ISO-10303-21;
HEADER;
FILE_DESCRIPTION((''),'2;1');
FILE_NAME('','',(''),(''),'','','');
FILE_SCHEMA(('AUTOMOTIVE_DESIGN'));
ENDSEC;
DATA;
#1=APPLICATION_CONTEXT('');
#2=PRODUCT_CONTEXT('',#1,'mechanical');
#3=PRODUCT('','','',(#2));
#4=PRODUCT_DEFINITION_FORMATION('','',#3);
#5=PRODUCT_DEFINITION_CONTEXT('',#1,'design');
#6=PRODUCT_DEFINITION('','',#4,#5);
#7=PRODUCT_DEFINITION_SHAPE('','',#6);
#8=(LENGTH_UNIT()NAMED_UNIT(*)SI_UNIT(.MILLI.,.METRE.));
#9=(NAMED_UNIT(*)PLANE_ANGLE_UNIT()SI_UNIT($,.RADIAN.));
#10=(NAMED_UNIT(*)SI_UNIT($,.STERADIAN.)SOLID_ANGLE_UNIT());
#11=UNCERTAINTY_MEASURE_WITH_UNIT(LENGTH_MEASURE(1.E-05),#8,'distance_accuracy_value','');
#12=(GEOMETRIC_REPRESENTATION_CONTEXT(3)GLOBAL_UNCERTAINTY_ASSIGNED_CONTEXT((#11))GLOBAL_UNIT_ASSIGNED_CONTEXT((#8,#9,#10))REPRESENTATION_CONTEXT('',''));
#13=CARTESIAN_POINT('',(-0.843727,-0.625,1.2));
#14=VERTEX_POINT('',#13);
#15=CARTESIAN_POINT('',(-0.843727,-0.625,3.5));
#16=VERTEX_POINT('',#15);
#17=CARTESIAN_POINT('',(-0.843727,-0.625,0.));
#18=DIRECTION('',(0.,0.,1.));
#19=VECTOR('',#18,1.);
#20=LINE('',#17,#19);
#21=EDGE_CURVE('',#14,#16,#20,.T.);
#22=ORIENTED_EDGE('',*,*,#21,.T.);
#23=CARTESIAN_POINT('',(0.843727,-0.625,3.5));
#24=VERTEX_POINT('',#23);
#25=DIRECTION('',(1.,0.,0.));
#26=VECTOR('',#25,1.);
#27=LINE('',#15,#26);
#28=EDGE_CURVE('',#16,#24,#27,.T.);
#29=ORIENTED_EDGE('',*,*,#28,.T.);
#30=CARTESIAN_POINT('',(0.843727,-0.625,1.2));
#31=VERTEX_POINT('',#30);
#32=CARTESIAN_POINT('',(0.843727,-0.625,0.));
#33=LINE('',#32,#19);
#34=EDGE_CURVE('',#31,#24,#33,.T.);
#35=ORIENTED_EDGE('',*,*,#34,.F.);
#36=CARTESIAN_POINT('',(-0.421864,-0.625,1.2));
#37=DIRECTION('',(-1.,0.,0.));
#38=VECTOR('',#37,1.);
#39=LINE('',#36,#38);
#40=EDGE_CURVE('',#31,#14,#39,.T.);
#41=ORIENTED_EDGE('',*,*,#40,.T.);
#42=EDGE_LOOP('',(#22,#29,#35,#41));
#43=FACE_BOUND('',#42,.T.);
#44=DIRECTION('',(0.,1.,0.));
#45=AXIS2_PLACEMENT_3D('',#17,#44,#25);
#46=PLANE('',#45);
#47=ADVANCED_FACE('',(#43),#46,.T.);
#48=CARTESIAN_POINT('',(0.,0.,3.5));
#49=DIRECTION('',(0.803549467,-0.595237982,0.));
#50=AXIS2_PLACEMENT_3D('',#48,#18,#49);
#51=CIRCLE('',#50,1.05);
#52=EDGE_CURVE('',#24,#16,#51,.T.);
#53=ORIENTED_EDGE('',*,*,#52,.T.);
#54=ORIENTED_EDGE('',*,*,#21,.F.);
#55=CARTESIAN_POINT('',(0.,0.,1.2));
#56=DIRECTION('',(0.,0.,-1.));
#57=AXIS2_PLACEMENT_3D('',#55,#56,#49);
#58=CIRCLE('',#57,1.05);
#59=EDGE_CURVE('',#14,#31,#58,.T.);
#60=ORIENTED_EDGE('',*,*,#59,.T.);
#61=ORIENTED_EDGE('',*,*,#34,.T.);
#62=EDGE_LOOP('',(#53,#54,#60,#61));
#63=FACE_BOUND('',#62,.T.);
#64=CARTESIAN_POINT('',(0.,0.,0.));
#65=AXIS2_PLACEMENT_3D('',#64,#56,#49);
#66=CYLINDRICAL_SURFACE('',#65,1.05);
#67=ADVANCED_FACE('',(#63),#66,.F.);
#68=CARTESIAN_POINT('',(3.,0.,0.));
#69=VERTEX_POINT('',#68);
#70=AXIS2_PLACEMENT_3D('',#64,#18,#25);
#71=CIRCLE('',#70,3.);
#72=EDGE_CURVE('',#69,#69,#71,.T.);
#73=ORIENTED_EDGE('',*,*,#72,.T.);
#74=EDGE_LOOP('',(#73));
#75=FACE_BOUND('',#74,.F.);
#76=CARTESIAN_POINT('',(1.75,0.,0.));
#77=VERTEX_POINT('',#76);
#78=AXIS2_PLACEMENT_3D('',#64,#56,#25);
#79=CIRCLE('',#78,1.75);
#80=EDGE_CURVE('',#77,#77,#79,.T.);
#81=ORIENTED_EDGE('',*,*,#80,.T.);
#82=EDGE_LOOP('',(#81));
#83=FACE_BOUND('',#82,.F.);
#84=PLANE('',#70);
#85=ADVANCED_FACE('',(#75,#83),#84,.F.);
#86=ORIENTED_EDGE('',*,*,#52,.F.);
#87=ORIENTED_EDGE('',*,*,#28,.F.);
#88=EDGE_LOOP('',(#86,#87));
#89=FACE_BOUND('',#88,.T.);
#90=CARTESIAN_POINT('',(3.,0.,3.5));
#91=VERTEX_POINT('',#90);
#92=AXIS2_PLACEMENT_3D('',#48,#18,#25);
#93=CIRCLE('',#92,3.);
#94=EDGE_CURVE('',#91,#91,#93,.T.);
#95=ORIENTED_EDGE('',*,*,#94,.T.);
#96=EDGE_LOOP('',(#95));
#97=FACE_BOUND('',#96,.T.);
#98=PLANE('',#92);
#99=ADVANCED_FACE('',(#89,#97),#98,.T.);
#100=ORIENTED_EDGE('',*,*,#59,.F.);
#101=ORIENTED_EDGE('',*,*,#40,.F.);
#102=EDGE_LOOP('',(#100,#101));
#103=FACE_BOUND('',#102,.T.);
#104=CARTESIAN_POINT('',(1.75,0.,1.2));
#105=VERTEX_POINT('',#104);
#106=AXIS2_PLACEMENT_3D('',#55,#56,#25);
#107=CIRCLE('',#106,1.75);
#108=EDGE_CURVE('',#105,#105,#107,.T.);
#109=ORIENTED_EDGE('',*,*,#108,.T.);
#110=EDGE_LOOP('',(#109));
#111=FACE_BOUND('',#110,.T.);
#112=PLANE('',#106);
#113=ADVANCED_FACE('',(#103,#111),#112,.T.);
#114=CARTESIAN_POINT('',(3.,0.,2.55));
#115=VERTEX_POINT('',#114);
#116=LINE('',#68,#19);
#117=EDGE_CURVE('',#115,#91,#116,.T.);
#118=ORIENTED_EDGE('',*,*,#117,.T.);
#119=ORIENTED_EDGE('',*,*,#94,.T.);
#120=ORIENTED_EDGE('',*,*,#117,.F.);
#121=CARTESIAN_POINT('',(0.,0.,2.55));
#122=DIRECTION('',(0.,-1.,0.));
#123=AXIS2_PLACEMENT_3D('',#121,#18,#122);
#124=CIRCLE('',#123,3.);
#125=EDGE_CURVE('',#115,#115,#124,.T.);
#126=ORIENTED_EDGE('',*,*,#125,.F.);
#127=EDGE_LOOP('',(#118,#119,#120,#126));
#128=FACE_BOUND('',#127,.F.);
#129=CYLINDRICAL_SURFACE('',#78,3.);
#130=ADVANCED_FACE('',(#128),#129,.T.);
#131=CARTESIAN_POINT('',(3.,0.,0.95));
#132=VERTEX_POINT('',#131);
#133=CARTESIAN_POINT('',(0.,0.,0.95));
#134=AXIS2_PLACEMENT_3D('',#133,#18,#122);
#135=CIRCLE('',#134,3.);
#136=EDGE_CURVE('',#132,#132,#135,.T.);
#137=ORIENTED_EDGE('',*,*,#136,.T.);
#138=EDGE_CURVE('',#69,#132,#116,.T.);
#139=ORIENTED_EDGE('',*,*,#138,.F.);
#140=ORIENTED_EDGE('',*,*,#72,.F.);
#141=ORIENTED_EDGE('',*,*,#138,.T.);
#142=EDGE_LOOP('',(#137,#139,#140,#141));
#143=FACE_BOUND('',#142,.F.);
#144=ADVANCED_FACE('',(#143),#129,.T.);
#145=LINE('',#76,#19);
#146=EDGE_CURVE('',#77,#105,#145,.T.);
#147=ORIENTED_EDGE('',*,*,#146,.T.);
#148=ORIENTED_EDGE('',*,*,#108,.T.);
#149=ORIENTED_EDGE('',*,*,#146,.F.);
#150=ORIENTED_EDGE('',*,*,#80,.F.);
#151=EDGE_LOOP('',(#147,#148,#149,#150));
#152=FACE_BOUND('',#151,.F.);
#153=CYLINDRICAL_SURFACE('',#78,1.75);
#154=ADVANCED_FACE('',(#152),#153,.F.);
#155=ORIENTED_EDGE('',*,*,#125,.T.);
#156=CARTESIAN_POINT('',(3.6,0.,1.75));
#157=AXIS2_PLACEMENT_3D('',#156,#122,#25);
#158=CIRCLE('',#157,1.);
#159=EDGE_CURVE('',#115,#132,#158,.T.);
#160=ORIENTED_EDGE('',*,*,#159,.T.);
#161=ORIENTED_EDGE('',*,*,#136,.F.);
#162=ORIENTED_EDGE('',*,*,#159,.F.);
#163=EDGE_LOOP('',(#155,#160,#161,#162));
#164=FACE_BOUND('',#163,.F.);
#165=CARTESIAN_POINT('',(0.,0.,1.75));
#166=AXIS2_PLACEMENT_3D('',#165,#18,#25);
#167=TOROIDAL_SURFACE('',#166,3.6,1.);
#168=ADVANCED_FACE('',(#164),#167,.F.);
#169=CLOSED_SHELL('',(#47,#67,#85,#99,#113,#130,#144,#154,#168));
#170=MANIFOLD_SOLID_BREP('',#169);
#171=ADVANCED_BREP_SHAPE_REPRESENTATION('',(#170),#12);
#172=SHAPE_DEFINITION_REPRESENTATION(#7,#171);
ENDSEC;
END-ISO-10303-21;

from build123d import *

# Parameters (mm, degrees)
SKETCH_R     = 3
PAD_DEPTH    = 3.5
SKETCH002_R  = 1.75
POCKET_DEPTH = 1.2
TORUS_R      = 1


with BuildPart() as part:
    # Sketch → Pad (new body)
    with BuildSketch(Plane.XY):
        Circle(SKETCH_R)
        with BuildLine():
            ThreePointArc((0.843727, -0.625), (0, 1.05), (-0.843727, -0.625))
            Line((-0.843727, -0.625), (0.843727, -0.625))
        make_face(mode=Mode.SUBTRACT)
    extrude(amount=PAD_DEPTH)

    # Sketch002 (on Face4 of Pad) → Pocket (cut)
    with BuildSketch(Plane(origin=(0, 0, 0), x_dir=(1, 0, 0), z_dir=(0, 0, -1))):
        Circle(SKETCH002_R)
    extrude(amount=-POCKET_DEPTH, mode=Mode.SUBTRACT)

    # Torus → Torus (revolve, cut)
    with BuildSketch(Plane(origin=(0, 0, 1.75), x_dir=(1, 0, 0), z_dir=(0, -1, 0))):
        with Locations((3.6, 0)):
            Circle(TORUS_R)
    revolve(axis=Axis((0, 0, 1.75), (0, 0, 1)), mode=Mode.SUBTRACT)


solid = part.part
